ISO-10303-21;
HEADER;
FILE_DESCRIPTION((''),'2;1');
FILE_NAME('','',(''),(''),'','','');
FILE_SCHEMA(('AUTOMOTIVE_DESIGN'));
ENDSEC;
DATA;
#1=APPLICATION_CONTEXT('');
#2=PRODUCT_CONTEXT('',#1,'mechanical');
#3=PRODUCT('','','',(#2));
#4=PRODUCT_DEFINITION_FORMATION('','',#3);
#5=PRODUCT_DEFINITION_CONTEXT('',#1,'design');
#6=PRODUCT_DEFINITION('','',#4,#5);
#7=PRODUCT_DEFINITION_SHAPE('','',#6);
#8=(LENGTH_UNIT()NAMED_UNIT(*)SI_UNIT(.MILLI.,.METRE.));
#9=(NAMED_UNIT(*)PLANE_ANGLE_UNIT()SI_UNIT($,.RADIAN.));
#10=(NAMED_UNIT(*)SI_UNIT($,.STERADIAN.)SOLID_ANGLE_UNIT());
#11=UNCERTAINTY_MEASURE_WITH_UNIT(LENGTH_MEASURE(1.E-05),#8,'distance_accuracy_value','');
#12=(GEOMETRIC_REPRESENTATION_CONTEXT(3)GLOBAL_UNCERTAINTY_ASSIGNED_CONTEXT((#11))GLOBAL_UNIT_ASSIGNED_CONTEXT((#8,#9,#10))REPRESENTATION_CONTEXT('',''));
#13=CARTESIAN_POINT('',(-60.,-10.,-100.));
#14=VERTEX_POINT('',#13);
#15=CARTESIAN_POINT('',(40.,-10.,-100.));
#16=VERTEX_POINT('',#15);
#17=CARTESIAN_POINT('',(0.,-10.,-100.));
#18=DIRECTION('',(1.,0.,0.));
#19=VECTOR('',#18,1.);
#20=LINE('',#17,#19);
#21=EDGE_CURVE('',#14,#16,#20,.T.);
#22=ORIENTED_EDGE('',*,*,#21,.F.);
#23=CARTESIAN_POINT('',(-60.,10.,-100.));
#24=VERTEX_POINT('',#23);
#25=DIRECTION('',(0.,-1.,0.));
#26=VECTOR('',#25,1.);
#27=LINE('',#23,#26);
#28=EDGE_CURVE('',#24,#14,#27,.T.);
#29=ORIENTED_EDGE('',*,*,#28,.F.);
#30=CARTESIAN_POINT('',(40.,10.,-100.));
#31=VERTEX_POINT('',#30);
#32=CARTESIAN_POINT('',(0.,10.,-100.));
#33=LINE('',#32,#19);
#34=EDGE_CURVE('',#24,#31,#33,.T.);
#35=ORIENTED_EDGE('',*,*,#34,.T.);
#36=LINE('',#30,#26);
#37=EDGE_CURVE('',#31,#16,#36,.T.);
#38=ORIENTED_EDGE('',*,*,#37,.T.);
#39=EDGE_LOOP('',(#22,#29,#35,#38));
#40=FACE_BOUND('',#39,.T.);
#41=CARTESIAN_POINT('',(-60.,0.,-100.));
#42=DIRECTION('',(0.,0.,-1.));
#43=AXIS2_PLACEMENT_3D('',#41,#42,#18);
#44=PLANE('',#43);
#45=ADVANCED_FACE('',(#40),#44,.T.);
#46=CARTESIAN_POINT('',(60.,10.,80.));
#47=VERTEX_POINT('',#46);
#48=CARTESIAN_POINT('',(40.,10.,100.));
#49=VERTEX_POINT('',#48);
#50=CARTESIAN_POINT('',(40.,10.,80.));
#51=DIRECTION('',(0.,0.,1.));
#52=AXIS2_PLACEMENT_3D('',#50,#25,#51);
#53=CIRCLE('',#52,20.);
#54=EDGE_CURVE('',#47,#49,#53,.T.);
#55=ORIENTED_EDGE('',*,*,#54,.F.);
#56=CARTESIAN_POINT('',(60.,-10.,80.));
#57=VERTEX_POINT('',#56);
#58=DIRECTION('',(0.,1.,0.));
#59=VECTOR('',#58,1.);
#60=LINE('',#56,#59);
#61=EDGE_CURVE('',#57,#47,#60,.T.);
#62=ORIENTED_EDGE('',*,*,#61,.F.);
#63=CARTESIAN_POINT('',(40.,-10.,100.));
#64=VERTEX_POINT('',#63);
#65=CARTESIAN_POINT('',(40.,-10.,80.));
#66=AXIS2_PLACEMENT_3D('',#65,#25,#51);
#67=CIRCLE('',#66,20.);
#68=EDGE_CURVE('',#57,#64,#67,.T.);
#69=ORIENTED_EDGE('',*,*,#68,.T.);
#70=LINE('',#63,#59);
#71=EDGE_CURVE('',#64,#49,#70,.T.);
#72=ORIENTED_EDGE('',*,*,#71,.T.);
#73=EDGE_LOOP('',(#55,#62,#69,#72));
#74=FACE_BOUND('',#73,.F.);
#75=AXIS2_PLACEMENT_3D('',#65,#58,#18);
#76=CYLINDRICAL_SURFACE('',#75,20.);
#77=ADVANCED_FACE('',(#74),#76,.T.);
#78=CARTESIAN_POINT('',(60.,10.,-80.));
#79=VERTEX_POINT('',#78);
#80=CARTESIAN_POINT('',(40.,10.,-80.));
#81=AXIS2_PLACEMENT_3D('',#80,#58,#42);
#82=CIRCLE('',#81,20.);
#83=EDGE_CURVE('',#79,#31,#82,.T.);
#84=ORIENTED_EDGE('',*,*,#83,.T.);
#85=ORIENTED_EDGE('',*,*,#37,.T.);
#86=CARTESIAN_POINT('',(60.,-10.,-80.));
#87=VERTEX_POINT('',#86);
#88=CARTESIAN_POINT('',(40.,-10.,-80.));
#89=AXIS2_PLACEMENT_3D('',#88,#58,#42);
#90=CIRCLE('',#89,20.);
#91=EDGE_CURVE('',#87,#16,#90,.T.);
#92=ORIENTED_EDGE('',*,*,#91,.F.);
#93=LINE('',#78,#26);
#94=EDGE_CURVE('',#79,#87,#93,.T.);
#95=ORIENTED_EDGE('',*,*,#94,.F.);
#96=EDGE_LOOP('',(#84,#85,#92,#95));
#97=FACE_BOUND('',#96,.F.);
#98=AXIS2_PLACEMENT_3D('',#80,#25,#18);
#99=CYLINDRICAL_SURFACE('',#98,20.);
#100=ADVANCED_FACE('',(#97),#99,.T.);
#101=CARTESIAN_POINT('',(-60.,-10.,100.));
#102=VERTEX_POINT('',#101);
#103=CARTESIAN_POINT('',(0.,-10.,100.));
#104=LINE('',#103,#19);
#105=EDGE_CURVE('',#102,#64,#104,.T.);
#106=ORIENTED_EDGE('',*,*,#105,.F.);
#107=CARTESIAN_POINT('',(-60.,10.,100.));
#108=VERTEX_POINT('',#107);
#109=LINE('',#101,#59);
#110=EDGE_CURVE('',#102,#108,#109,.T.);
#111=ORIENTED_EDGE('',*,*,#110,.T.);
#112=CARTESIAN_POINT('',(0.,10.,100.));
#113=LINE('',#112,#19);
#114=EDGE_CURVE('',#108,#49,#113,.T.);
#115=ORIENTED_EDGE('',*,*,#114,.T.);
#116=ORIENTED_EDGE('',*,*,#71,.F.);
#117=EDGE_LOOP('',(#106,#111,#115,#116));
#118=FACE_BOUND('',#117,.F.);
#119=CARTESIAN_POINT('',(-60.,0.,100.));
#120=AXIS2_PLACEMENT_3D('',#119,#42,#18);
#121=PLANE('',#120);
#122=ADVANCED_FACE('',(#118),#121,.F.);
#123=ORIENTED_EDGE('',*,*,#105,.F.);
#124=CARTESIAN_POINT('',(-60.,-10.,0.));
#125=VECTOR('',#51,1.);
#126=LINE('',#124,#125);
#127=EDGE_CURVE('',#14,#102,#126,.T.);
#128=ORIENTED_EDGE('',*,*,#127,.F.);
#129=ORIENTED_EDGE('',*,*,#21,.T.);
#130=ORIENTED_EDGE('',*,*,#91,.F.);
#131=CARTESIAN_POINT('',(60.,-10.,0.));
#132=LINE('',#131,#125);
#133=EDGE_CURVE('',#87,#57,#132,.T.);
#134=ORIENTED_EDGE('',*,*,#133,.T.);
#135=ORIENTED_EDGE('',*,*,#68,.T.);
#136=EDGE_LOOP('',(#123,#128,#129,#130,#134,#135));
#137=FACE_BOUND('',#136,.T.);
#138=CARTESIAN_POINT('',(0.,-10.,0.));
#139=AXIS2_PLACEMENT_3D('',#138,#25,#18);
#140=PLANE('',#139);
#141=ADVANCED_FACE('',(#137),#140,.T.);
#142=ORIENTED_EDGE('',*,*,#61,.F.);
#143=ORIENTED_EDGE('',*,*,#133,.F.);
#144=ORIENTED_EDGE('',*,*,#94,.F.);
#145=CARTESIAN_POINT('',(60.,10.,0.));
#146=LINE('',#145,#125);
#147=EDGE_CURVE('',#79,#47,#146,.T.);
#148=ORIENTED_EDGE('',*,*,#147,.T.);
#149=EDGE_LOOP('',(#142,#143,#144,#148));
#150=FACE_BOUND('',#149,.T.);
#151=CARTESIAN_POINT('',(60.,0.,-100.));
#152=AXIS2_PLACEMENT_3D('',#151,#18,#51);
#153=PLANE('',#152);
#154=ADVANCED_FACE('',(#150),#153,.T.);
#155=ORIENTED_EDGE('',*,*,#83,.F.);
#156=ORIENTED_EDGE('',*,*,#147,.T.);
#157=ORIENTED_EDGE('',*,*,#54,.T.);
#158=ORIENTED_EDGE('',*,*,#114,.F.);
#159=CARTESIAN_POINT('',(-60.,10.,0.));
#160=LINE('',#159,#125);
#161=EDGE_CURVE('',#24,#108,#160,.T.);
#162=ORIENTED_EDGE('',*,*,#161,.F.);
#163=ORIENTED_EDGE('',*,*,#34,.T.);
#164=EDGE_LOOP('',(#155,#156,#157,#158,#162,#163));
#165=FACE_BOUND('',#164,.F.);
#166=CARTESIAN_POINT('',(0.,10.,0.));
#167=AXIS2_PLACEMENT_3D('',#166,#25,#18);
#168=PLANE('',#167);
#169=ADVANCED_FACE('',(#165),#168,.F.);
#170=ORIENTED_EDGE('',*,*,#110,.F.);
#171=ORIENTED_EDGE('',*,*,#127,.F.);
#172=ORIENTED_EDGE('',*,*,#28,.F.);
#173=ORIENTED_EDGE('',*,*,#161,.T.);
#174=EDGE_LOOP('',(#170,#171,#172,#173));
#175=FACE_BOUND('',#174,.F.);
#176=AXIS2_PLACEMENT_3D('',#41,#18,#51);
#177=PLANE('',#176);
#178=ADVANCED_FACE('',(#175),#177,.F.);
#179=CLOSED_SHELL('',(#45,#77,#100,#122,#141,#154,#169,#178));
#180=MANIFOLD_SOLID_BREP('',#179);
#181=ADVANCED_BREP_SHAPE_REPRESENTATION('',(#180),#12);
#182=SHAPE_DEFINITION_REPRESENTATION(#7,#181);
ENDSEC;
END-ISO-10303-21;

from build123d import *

# Parameters (mm, degrees)
F0_W     = 120
F0_H     = 200
F1_DEPTH = 10
F2_R     = 20


with BuildPart() as f1:
    # F0 (on Front) → F1 (new body, symmetric)
    with BuildSketch(Plane.XZ):
        Rectangle(F0_W, F0_H)
    extrude(amount=F1_DEPTH, both=True)

    # F2
    f2_edges = [f1.edges().sort_by_distance(p)[0] for p in [
        (60, 0, 100),
        (60, 0, -100),
    ]]
    fillet(f2_edges, radius=F2_R)


solid = f1.part
